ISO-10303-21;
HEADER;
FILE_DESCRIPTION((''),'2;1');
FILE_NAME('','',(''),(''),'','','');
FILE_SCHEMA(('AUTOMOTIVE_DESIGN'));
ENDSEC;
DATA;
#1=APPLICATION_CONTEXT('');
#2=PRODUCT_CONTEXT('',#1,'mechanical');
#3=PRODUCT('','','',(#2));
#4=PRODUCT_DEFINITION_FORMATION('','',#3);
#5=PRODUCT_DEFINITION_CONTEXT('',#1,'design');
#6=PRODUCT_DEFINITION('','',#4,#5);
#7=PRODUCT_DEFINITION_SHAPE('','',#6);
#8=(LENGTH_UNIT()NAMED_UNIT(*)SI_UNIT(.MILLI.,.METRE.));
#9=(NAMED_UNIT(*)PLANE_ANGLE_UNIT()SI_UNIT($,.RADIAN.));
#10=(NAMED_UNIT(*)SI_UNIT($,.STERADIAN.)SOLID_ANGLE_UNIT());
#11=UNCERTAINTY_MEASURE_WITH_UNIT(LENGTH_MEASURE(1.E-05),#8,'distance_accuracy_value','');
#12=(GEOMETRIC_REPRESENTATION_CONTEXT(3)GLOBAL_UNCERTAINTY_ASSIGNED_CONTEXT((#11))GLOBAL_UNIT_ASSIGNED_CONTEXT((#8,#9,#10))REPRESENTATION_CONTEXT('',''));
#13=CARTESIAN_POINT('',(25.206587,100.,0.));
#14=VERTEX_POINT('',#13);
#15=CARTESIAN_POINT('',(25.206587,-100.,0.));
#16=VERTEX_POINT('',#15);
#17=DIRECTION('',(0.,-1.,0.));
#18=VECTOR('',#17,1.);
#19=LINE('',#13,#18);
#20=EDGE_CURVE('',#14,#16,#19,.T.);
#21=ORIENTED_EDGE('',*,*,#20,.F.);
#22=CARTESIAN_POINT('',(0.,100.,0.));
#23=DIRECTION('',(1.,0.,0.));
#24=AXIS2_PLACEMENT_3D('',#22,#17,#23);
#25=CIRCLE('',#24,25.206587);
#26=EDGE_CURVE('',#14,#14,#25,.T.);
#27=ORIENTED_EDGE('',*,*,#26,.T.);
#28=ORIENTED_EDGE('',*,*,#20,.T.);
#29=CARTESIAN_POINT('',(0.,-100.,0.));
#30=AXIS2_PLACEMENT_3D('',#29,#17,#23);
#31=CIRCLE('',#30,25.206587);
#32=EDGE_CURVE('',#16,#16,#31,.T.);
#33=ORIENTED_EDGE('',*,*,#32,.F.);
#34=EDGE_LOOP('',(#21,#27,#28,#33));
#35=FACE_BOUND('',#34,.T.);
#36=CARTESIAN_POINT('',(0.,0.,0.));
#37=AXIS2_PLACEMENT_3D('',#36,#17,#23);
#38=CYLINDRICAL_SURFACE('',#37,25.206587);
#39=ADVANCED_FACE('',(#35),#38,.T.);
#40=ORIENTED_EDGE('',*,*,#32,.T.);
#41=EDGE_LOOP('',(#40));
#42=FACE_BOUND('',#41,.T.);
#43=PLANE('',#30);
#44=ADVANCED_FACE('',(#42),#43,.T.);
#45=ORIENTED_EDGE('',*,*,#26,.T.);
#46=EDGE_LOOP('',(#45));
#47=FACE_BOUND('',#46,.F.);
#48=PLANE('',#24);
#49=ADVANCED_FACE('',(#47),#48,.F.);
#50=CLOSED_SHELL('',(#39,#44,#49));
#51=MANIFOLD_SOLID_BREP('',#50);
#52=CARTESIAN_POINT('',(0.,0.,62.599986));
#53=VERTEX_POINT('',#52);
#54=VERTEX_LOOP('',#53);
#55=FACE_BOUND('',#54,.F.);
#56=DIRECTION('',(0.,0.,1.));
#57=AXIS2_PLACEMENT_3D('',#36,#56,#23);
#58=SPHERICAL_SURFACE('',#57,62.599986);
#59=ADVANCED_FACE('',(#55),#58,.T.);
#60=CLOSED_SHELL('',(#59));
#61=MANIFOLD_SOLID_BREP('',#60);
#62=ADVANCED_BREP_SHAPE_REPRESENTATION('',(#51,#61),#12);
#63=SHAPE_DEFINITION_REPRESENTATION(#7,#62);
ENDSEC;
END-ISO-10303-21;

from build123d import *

# Parameters (mm, degrees)
F2_R     = 25.206587
F3_DEPTH = 100


with BuildPart() as f1:
    # F0 (on Front) → F1 (revolve)
    with BuildSketch(Plane.XZ):
        with BuildLine():
            Line((0, 0), (0, -62.599986))
            ThreePointArc((0, -62.599986), (62.599986, 0), (0, 62.599986))
            Line((0, 62.599986), (0, 0))
        make_face()
    revolve(axis=Axis((0, 0, 0), (0, 0, -1)))


with BuildPart() as f3:
    # F2 (on Front) → F3 (new body, symmetric)
    with BuildSketch(Plane.XZ):
        Circle(F2_R)
    extrude(amount=F3_DEPTH, both=True)


solid = Compound([f1.part, f3.part])
